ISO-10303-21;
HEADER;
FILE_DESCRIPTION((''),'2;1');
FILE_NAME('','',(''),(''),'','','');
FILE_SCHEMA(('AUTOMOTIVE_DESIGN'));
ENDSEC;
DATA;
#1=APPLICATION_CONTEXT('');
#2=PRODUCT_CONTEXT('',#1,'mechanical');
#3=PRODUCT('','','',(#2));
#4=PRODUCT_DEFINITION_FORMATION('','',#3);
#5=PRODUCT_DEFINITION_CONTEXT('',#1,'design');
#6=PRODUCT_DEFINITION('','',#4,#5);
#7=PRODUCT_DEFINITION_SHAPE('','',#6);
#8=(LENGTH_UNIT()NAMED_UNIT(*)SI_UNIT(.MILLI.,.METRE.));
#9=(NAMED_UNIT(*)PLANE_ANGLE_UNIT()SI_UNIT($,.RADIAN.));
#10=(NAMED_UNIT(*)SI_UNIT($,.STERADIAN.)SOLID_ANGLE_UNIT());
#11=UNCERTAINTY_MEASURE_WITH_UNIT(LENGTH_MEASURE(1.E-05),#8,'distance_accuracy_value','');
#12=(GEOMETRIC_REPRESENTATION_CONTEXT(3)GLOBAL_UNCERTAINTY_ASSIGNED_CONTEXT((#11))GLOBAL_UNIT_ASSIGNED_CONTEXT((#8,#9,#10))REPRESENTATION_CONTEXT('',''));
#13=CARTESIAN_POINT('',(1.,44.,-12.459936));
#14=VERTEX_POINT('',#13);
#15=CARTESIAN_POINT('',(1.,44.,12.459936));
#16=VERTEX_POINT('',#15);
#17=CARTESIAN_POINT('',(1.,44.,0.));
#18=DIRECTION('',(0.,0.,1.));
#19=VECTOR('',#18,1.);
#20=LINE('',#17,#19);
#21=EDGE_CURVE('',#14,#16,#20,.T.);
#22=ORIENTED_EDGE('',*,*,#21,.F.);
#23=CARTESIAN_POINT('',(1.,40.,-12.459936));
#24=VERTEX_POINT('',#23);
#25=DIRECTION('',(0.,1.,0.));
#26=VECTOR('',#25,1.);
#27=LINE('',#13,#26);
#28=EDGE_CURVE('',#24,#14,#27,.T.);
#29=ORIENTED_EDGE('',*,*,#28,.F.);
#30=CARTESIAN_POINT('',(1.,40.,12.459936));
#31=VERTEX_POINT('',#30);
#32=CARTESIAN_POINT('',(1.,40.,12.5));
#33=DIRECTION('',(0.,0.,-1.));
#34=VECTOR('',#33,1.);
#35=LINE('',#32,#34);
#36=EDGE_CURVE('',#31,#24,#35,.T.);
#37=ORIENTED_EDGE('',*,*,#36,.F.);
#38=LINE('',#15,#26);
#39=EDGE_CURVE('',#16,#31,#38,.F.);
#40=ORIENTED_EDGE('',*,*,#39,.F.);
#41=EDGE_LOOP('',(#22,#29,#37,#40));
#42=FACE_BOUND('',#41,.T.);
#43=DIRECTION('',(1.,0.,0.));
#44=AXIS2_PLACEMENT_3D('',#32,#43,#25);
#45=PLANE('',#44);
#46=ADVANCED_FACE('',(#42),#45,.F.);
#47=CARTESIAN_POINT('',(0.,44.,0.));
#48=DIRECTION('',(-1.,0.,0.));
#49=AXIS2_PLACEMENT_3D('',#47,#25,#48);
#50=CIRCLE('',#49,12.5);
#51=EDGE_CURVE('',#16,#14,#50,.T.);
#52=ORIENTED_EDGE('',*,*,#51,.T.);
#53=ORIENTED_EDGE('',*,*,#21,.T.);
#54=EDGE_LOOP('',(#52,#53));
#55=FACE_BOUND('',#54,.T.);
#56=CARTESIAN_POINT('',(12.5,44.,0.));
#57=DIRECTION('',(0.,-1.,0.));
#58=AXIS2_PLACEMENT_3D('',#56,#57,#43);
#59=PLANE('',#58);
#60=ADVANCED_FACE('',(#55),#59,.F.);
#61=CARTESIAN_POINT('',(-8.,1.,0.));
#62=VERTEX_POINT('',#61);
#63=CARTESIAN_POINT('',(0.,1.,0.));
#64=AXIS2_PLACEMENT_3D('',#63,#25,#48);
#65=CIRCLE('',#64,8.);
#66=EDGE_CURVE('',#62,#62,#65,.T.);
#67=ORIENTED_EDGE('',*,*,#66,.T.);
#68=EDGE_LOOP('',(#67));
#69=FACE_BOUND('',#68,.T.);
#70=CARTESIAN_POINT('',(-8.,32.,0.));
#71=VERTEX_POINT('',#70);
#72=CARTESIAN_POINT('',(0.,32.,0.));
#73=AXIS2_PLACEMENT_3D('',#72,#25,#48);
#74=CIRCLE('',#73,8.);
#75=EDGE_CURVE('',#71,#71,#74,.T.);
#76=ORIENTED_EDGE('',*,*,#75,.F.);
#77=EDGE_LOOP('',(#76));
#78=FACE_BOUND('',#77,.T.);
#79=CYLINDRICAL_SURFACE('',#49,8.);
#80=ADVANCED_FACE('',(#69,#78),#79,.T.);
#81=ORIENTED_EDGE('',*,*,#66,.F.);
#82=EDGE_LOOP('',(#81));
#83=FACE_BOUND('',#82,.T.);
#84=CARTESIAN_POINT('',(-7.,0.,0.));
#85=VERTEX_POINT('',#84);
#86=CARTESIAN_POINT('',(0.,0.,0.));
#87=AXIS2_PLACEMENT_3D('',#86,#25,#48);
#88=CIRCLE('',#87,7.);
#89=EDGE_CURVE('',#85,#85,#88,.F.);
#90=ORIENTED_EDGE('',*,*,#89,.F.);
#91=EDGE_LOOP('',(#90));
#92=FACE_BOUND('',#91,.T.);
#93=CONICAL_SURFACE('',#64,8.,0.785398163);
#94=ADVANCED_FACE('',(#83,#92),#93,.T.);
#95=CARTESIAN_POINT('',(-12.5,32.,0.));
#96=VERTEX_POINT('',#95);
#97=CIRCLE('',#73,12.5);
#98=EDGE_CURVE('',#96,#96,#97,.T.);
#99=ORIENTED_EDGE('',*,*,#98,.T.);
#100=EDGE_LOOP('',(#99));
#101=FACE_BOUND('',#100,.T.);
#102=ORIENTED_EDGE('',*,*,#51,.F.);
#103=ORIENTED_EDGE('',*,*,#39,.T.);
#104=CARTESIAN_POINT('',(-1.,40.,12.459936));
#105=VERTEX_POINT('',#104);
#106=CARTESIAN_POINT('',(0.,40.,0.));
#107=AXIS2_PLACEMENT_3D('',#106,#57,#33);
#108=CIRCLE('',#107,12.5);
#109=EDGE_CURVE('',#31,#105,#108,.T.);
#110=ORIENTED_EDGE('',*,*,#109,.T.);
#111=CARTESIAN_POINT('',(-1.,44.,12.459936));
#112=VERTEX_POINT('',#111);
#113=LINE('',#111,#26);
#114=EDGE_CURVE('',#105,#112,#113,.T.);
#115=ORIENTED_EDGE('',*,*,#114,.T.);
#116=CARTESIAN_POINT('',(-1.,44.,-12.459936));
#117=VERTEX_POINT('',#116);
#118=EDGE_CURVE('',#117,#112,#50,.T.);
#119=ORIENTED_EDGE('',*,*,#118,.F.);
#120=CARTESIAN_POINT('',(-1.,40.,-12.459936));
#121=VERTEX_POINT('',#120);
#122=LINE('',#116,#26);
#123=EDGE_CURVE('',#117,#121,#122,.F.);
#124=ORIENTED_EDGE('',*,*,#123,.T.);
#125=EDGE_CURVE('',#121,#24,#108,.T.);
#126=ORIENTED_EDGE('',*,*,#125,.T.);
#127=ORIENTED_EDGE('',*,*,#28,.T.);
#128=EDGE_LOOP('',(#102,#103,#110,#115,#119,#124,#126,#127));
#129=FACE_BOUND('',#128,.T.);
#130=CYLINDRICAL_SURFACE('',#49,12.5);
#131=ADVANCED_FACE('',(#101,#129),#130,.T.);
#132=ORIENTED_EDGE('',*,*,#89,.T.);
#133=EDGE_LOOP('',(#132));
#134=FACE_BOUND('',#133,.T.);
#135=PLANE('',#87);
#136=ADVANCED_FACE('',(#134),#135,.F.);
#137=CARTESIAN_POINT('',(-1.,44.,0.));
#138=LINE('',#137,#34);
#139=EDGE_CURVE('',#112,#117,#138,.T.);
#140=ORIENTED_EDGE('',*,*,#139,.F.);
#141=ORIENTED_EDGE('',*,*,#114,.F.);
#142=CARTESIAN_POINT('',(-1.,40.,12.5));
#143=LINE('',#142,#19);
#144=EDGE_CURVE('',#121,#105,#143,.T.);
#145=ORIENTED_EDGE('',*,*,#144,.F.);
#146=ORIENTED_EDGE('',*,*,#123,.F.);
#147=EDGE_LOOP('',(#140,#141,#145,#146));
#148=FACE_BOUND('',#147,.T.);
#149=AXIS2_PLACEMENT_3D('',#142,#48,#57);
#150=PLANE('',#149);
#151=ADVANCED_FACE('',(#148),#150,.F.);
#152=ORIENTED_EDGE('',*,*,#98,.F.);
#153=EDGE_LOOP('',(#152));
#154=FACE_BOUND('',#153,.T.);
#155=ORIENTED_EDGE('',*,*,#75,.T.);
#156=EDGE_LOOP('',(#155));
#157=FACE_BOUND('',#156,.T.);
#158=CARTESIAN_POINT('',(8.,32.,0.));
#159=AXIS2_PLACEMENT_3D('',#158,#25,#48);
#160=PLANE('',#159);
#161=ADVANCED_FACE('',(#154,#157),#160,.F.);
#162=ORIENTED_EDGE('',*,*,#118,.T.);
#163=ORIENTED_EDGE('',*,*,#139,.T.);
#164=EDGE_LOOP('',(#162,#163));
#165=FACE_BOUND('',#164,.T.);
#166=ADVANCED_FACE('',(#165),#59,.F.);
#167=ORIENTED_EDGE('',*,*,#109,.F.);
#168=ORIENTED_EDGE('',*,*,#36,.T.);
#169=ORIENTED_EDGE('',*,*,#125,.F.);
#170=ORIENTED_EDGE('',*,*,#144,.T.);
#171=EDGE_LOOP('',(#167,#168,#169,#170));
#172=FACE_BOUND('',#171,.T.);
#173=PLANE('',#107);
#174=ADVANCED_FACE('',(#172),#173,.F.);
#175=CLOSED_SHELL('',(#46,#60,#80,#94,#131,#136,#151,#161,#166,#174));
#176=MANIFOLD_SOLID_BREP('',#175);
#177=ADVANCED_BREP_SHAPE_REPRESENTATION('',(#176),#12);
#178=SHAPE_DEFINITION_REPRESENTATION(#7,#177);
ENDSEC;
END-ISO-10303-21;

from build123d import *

# Parameters (mm, degrees)
CHAMFER1_SIZE      = 1
SKETCH6_W          = 2
SKETCH6_H          = 25
CUT_EXTRUDE1_DEPTH = 4


with BuildPart() as part:
    # Sketch2 → Revolve2 (revolve)
    with BuildSketch(Plane.XY, mode=Mode.PRIVATE) as revolve2_sk:
        Polygon((0, 0), (8, 0), (8, 32), (12.5, 32), (12.5, 44), (0, 44), align=None)
    revolve(revolve2_sk.sketch.rotate(Axis((0, 44, 0), (0, -1, 0)), 180), axis=Axis((0, 44, 0), (0, -1, 0)))

    # Chamfer1
    chamfer1_edges = [part.edges().sort_by_distance(p)[0] for p in [
        (8, 0, 0),
    ]]
    chamfer(chamfer1_edges, length=CHAMFER1_SIZE)

    # Sketch6 → Cut-Extrude1 (cut)
    with BuildSketch(Plane(origin=(0, 44, 0), x_dir=(1, 0, 0), z_dir=(0, 1, 0))):
        Rectangle(SKETCH6_W, SKETCH6_H)
    extrude(amount=-CUT_EXTRUDE1_DEPTH, mode=Mode.SUBTRACT)


solid = part.part
